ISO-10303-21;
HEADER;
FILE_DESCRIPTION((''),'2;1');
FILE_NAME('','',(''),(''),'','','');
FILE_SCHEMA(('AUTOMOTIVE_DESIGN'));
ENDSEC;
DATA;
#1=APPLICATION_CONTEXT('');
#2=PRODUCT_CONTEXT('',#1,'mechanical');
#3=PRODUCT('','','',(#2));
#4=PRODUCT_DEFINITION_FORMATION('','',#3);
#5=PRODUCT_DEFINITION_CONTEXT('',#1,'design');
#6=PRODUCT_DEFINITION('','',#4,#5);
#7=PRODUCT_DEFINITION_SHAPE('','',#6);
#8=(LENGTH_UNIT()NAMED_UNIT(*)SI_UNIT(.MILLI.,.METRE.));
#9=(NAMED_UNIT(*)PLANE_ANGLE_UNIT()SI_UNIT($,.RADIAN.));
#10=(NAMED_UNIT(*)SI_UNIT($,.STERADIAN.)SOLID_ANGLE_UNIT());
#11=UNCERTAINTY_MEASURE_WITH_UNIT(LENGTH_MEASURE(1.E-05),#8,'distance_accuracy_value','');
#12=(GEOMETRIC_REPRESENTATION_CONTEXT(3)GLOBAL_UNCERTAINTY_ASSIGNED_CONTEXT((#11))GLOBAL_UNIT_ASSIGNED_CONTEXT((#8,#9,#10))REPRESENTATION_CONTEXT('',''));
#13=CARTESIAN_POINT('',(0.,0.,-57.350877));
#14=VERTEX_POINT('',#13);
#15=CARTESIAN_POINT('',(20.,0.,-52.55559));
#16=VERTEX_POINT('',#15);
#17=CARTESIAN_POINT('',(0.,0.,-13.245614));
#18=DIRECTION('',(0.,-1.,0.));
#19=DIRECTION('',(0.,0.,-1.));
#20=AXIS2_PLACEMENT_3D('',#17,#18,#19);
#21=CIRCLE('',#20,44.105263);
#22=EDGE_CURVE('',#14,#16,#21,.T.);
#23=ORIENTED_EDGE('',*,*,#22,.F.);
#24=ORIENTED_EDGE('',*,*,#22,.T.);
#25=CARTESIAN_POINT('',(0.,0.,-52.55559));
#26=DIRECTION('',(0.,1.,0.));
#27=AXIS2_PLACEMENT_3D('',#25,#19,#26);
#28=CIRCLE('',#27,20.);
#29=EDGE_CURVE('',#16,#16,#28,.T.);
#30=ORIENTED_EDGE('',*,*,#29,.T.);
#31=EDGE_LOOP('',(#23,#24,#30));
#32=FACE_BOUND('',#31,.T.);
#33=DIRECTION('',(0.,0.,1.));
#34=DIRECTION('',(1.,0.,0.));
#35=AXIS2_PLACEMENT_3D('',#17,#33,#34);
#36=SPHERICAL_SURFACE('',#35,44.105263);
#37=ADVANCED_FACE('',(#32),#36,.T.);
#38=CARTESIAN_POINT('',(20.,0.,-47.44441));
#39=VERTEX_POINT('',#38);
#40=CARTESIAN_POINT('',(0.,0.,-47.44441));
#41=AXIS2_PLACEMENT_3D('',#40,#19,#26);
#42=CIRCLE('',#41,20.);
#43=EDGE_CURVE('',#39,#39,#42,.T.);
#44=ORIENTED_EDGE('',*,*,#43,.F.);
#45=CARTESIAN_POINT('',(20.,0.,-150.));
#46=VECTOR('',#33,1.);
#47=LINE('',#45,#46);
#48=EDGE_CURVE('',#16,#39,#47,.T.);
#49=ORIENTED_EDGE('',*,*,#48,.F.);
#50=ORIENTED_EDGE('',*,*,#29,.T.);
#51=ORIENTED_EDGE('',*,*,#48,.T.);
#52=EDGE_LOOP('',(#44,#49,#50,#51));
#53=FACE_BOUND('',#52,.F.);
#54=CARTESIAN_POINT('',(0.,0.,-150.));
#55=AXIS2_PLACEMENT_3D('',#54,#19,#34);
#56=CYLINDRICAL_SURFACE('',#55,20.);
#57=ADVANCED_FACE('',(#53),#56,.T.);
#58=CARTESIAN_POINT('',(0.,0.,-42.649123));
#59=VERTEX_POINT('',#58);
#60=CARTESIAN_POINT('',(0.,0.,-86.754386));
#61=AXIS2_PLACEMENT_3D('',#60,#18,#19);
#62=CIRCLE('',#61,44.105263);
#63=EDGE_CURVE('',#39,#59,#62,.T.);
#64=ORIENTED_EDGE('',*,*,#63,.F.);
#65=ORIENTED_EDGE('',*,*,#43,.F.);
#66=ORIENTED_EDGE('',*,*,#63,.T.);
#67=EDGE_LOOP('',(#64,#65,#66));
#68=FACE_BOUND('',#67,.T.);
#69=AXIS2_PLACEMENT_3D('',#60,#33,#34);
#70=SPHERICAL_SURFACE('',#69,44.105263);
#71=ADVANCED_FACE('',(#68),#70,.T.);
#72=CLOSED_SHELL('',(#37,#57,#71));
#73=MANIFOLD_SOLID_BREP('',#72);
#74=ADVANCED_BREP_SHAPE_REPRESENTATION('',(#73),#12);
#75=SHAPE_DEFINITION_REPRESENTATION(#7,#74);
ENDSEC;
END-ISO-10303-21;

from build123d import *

# Parameters (mm, degrees)
CYLINDER_R     = 20
CYLINDER_DEPTH = 200


with BuildPart() as cylinder:
    # Cylinder → Cylinder (new body)
    with BuildSketch(Plane.XY.offset(-100)):
        Circle(CYLINDER_R)
    extrude(amount=CYLINDER_DEPTH)


with BuildPart() as sphere001:
    # Sphere001 → Sphere001 (revolve)
    with BuildSketch(Plane(origin=(0, 0, -36.754386), x_dir=(1, 0, 0), z_dir=(0, -1, 0))):
        with BuildLine():
            ThreePointArc((0, -44.105263), (44.105263, 0), (0, 44.105263))
            Line((0, 44.105263), (0, -44.105263))
        make_face()
    revolve(axis=Axis((0, 0, -36.754386), (0, 0, 1)))


with BuildPart() as common001:
    # Sphere → Sphere (revolve)
    with BuildSketch(Plane(origin=(0, 0, 36.754386), x_dir=(1, 0, 0), z_dir=(0, -1, 0))):
        with BuildLine():
            ThreePointArc((0, -44.105263), (44.105263, 0), (0, 44.105263))
            Line((0, 44.105263), (0, -44.105263))
        make_face()
    revolve(axis=Axis((0, 0, 36.754386), (0, 0, 1)))

    # Common: intersect Sphere001
    add(sphere001.part, mode=Mode.INTERSECT)

    # Common001: intersect Cylinder
    add(cylinder.part, mode=Mode.INTERSECT)


with BuildPart() as common001_1:
    # Common001 placement: moved
    add(common001.part.moved(Location((0, 0, -50))))


solid = common001_1.part
